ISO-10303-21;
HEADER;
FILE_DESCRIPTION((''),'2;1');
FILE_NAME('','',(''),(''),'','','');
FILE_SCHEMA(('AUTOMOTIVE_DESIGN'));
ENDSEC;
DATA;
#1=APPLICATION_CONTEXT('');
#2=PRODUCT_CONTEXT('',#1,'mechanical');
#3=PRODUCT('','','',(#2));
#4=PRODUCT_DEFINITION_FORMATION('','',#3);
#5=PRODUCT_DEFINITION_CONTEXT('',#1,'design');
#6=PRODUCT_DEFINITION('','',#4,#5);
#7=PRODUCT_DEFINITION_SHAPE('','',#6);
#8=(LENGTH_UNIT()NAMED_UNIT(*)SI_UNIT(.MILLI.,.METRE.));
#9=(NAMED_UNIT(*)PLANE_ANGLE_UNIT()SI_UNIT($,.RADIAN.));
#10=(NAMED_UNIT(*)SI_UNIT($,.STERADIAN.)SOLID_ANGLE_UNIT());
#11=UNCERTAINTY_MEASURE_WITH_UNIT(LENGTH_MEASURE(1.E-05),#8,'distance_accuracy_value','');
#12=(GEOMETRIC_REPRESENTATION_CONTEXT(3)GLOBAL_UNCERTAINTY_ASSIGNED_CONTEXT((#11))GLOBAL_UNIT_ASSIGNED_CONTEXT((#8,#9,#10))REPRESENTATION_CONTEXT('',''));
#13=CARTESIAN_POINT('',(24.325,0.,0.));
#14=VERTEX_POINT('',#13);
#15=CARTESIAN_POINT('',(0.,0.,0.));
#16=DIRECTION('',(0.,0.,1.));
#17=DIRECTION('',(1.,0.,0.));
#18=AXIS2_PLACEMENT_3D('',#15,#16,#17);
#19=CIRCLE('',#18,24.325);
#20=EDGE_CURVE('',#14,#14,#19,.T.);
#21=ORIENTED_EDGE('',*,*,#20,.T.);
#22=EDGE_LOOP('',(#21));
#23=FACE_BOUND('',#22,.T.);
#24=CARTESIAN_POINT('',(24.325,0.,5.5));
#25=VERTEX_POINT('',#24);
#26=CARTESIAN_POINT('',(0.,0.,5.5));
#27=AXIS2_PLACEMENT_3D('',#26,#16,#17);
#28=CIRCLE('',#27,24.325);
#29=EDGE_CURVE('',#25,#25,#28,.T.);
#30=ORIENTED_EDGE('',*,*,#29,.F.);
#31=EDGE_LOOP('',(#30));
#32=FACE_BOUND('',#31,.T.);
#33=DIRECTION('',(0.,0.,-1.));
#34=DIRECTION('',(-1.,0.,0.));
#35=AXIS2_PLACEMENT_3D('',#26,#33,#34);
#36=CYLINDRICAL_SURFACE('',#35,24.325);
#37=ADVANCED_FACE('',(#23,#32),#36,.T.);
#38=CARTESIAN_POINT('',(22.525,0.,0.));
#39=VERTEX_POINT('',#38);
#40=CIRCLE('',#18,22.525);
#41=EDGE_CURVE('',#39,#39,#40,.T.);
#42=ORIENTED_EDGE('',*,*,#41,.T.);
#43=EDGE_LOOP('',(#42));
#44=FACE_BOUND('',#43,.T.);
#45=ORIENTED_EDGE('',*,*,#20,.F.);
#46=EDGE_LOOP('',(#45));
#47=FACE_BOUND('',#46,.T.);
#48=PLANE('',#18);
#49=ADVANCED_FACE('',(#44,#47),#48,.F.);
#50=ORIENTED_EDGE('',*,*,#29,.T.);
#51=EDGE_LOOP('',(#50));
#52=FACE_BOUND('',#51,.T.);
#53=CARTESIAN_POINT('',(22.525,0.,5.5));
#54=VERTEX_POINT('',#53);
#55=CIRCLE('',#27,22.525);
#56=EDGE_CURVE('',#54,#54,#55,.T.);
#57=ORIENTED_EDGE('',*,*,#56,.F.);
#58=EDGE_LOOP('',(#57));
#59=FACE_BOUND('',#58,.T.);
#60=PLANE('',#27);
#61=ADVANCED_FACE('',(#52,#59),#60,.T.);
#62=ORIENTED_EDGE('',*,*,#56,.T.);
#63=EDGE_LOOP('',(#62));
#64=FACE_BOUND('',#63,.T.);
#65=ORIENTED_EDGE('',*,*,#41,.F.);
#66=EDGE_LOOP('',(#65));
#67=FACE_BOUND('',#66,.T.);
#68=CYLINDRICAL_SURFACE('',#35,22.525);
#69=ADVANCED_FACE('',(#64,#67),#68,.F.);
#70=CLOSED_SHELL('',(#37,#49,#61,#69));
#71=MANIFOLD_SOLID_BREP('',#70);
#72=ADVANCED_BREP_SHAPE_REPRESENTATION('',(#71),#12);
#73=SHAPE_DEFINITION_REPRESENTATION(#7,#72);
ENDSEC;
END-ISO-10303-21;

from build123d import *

# Parameters (mm, degrees)
SKETCH1_R           = 24.325
SKETCH1_R_2         = 22.525
BOSS_EXTRUDE1_DEPTH = 5.5


with BuildPart() as part:
    # Sketch1 → Boss-Extrude1 (new body)
    with BuildSketch(Plane.XY):
        Circle(SKETCH1_R)
        Circle(SKETCH1_R_2, mode=Mode.SUBTRACT)
    extrude(amount=BOSS_EXTRUDE1_DEPTH)


solid = part.part
